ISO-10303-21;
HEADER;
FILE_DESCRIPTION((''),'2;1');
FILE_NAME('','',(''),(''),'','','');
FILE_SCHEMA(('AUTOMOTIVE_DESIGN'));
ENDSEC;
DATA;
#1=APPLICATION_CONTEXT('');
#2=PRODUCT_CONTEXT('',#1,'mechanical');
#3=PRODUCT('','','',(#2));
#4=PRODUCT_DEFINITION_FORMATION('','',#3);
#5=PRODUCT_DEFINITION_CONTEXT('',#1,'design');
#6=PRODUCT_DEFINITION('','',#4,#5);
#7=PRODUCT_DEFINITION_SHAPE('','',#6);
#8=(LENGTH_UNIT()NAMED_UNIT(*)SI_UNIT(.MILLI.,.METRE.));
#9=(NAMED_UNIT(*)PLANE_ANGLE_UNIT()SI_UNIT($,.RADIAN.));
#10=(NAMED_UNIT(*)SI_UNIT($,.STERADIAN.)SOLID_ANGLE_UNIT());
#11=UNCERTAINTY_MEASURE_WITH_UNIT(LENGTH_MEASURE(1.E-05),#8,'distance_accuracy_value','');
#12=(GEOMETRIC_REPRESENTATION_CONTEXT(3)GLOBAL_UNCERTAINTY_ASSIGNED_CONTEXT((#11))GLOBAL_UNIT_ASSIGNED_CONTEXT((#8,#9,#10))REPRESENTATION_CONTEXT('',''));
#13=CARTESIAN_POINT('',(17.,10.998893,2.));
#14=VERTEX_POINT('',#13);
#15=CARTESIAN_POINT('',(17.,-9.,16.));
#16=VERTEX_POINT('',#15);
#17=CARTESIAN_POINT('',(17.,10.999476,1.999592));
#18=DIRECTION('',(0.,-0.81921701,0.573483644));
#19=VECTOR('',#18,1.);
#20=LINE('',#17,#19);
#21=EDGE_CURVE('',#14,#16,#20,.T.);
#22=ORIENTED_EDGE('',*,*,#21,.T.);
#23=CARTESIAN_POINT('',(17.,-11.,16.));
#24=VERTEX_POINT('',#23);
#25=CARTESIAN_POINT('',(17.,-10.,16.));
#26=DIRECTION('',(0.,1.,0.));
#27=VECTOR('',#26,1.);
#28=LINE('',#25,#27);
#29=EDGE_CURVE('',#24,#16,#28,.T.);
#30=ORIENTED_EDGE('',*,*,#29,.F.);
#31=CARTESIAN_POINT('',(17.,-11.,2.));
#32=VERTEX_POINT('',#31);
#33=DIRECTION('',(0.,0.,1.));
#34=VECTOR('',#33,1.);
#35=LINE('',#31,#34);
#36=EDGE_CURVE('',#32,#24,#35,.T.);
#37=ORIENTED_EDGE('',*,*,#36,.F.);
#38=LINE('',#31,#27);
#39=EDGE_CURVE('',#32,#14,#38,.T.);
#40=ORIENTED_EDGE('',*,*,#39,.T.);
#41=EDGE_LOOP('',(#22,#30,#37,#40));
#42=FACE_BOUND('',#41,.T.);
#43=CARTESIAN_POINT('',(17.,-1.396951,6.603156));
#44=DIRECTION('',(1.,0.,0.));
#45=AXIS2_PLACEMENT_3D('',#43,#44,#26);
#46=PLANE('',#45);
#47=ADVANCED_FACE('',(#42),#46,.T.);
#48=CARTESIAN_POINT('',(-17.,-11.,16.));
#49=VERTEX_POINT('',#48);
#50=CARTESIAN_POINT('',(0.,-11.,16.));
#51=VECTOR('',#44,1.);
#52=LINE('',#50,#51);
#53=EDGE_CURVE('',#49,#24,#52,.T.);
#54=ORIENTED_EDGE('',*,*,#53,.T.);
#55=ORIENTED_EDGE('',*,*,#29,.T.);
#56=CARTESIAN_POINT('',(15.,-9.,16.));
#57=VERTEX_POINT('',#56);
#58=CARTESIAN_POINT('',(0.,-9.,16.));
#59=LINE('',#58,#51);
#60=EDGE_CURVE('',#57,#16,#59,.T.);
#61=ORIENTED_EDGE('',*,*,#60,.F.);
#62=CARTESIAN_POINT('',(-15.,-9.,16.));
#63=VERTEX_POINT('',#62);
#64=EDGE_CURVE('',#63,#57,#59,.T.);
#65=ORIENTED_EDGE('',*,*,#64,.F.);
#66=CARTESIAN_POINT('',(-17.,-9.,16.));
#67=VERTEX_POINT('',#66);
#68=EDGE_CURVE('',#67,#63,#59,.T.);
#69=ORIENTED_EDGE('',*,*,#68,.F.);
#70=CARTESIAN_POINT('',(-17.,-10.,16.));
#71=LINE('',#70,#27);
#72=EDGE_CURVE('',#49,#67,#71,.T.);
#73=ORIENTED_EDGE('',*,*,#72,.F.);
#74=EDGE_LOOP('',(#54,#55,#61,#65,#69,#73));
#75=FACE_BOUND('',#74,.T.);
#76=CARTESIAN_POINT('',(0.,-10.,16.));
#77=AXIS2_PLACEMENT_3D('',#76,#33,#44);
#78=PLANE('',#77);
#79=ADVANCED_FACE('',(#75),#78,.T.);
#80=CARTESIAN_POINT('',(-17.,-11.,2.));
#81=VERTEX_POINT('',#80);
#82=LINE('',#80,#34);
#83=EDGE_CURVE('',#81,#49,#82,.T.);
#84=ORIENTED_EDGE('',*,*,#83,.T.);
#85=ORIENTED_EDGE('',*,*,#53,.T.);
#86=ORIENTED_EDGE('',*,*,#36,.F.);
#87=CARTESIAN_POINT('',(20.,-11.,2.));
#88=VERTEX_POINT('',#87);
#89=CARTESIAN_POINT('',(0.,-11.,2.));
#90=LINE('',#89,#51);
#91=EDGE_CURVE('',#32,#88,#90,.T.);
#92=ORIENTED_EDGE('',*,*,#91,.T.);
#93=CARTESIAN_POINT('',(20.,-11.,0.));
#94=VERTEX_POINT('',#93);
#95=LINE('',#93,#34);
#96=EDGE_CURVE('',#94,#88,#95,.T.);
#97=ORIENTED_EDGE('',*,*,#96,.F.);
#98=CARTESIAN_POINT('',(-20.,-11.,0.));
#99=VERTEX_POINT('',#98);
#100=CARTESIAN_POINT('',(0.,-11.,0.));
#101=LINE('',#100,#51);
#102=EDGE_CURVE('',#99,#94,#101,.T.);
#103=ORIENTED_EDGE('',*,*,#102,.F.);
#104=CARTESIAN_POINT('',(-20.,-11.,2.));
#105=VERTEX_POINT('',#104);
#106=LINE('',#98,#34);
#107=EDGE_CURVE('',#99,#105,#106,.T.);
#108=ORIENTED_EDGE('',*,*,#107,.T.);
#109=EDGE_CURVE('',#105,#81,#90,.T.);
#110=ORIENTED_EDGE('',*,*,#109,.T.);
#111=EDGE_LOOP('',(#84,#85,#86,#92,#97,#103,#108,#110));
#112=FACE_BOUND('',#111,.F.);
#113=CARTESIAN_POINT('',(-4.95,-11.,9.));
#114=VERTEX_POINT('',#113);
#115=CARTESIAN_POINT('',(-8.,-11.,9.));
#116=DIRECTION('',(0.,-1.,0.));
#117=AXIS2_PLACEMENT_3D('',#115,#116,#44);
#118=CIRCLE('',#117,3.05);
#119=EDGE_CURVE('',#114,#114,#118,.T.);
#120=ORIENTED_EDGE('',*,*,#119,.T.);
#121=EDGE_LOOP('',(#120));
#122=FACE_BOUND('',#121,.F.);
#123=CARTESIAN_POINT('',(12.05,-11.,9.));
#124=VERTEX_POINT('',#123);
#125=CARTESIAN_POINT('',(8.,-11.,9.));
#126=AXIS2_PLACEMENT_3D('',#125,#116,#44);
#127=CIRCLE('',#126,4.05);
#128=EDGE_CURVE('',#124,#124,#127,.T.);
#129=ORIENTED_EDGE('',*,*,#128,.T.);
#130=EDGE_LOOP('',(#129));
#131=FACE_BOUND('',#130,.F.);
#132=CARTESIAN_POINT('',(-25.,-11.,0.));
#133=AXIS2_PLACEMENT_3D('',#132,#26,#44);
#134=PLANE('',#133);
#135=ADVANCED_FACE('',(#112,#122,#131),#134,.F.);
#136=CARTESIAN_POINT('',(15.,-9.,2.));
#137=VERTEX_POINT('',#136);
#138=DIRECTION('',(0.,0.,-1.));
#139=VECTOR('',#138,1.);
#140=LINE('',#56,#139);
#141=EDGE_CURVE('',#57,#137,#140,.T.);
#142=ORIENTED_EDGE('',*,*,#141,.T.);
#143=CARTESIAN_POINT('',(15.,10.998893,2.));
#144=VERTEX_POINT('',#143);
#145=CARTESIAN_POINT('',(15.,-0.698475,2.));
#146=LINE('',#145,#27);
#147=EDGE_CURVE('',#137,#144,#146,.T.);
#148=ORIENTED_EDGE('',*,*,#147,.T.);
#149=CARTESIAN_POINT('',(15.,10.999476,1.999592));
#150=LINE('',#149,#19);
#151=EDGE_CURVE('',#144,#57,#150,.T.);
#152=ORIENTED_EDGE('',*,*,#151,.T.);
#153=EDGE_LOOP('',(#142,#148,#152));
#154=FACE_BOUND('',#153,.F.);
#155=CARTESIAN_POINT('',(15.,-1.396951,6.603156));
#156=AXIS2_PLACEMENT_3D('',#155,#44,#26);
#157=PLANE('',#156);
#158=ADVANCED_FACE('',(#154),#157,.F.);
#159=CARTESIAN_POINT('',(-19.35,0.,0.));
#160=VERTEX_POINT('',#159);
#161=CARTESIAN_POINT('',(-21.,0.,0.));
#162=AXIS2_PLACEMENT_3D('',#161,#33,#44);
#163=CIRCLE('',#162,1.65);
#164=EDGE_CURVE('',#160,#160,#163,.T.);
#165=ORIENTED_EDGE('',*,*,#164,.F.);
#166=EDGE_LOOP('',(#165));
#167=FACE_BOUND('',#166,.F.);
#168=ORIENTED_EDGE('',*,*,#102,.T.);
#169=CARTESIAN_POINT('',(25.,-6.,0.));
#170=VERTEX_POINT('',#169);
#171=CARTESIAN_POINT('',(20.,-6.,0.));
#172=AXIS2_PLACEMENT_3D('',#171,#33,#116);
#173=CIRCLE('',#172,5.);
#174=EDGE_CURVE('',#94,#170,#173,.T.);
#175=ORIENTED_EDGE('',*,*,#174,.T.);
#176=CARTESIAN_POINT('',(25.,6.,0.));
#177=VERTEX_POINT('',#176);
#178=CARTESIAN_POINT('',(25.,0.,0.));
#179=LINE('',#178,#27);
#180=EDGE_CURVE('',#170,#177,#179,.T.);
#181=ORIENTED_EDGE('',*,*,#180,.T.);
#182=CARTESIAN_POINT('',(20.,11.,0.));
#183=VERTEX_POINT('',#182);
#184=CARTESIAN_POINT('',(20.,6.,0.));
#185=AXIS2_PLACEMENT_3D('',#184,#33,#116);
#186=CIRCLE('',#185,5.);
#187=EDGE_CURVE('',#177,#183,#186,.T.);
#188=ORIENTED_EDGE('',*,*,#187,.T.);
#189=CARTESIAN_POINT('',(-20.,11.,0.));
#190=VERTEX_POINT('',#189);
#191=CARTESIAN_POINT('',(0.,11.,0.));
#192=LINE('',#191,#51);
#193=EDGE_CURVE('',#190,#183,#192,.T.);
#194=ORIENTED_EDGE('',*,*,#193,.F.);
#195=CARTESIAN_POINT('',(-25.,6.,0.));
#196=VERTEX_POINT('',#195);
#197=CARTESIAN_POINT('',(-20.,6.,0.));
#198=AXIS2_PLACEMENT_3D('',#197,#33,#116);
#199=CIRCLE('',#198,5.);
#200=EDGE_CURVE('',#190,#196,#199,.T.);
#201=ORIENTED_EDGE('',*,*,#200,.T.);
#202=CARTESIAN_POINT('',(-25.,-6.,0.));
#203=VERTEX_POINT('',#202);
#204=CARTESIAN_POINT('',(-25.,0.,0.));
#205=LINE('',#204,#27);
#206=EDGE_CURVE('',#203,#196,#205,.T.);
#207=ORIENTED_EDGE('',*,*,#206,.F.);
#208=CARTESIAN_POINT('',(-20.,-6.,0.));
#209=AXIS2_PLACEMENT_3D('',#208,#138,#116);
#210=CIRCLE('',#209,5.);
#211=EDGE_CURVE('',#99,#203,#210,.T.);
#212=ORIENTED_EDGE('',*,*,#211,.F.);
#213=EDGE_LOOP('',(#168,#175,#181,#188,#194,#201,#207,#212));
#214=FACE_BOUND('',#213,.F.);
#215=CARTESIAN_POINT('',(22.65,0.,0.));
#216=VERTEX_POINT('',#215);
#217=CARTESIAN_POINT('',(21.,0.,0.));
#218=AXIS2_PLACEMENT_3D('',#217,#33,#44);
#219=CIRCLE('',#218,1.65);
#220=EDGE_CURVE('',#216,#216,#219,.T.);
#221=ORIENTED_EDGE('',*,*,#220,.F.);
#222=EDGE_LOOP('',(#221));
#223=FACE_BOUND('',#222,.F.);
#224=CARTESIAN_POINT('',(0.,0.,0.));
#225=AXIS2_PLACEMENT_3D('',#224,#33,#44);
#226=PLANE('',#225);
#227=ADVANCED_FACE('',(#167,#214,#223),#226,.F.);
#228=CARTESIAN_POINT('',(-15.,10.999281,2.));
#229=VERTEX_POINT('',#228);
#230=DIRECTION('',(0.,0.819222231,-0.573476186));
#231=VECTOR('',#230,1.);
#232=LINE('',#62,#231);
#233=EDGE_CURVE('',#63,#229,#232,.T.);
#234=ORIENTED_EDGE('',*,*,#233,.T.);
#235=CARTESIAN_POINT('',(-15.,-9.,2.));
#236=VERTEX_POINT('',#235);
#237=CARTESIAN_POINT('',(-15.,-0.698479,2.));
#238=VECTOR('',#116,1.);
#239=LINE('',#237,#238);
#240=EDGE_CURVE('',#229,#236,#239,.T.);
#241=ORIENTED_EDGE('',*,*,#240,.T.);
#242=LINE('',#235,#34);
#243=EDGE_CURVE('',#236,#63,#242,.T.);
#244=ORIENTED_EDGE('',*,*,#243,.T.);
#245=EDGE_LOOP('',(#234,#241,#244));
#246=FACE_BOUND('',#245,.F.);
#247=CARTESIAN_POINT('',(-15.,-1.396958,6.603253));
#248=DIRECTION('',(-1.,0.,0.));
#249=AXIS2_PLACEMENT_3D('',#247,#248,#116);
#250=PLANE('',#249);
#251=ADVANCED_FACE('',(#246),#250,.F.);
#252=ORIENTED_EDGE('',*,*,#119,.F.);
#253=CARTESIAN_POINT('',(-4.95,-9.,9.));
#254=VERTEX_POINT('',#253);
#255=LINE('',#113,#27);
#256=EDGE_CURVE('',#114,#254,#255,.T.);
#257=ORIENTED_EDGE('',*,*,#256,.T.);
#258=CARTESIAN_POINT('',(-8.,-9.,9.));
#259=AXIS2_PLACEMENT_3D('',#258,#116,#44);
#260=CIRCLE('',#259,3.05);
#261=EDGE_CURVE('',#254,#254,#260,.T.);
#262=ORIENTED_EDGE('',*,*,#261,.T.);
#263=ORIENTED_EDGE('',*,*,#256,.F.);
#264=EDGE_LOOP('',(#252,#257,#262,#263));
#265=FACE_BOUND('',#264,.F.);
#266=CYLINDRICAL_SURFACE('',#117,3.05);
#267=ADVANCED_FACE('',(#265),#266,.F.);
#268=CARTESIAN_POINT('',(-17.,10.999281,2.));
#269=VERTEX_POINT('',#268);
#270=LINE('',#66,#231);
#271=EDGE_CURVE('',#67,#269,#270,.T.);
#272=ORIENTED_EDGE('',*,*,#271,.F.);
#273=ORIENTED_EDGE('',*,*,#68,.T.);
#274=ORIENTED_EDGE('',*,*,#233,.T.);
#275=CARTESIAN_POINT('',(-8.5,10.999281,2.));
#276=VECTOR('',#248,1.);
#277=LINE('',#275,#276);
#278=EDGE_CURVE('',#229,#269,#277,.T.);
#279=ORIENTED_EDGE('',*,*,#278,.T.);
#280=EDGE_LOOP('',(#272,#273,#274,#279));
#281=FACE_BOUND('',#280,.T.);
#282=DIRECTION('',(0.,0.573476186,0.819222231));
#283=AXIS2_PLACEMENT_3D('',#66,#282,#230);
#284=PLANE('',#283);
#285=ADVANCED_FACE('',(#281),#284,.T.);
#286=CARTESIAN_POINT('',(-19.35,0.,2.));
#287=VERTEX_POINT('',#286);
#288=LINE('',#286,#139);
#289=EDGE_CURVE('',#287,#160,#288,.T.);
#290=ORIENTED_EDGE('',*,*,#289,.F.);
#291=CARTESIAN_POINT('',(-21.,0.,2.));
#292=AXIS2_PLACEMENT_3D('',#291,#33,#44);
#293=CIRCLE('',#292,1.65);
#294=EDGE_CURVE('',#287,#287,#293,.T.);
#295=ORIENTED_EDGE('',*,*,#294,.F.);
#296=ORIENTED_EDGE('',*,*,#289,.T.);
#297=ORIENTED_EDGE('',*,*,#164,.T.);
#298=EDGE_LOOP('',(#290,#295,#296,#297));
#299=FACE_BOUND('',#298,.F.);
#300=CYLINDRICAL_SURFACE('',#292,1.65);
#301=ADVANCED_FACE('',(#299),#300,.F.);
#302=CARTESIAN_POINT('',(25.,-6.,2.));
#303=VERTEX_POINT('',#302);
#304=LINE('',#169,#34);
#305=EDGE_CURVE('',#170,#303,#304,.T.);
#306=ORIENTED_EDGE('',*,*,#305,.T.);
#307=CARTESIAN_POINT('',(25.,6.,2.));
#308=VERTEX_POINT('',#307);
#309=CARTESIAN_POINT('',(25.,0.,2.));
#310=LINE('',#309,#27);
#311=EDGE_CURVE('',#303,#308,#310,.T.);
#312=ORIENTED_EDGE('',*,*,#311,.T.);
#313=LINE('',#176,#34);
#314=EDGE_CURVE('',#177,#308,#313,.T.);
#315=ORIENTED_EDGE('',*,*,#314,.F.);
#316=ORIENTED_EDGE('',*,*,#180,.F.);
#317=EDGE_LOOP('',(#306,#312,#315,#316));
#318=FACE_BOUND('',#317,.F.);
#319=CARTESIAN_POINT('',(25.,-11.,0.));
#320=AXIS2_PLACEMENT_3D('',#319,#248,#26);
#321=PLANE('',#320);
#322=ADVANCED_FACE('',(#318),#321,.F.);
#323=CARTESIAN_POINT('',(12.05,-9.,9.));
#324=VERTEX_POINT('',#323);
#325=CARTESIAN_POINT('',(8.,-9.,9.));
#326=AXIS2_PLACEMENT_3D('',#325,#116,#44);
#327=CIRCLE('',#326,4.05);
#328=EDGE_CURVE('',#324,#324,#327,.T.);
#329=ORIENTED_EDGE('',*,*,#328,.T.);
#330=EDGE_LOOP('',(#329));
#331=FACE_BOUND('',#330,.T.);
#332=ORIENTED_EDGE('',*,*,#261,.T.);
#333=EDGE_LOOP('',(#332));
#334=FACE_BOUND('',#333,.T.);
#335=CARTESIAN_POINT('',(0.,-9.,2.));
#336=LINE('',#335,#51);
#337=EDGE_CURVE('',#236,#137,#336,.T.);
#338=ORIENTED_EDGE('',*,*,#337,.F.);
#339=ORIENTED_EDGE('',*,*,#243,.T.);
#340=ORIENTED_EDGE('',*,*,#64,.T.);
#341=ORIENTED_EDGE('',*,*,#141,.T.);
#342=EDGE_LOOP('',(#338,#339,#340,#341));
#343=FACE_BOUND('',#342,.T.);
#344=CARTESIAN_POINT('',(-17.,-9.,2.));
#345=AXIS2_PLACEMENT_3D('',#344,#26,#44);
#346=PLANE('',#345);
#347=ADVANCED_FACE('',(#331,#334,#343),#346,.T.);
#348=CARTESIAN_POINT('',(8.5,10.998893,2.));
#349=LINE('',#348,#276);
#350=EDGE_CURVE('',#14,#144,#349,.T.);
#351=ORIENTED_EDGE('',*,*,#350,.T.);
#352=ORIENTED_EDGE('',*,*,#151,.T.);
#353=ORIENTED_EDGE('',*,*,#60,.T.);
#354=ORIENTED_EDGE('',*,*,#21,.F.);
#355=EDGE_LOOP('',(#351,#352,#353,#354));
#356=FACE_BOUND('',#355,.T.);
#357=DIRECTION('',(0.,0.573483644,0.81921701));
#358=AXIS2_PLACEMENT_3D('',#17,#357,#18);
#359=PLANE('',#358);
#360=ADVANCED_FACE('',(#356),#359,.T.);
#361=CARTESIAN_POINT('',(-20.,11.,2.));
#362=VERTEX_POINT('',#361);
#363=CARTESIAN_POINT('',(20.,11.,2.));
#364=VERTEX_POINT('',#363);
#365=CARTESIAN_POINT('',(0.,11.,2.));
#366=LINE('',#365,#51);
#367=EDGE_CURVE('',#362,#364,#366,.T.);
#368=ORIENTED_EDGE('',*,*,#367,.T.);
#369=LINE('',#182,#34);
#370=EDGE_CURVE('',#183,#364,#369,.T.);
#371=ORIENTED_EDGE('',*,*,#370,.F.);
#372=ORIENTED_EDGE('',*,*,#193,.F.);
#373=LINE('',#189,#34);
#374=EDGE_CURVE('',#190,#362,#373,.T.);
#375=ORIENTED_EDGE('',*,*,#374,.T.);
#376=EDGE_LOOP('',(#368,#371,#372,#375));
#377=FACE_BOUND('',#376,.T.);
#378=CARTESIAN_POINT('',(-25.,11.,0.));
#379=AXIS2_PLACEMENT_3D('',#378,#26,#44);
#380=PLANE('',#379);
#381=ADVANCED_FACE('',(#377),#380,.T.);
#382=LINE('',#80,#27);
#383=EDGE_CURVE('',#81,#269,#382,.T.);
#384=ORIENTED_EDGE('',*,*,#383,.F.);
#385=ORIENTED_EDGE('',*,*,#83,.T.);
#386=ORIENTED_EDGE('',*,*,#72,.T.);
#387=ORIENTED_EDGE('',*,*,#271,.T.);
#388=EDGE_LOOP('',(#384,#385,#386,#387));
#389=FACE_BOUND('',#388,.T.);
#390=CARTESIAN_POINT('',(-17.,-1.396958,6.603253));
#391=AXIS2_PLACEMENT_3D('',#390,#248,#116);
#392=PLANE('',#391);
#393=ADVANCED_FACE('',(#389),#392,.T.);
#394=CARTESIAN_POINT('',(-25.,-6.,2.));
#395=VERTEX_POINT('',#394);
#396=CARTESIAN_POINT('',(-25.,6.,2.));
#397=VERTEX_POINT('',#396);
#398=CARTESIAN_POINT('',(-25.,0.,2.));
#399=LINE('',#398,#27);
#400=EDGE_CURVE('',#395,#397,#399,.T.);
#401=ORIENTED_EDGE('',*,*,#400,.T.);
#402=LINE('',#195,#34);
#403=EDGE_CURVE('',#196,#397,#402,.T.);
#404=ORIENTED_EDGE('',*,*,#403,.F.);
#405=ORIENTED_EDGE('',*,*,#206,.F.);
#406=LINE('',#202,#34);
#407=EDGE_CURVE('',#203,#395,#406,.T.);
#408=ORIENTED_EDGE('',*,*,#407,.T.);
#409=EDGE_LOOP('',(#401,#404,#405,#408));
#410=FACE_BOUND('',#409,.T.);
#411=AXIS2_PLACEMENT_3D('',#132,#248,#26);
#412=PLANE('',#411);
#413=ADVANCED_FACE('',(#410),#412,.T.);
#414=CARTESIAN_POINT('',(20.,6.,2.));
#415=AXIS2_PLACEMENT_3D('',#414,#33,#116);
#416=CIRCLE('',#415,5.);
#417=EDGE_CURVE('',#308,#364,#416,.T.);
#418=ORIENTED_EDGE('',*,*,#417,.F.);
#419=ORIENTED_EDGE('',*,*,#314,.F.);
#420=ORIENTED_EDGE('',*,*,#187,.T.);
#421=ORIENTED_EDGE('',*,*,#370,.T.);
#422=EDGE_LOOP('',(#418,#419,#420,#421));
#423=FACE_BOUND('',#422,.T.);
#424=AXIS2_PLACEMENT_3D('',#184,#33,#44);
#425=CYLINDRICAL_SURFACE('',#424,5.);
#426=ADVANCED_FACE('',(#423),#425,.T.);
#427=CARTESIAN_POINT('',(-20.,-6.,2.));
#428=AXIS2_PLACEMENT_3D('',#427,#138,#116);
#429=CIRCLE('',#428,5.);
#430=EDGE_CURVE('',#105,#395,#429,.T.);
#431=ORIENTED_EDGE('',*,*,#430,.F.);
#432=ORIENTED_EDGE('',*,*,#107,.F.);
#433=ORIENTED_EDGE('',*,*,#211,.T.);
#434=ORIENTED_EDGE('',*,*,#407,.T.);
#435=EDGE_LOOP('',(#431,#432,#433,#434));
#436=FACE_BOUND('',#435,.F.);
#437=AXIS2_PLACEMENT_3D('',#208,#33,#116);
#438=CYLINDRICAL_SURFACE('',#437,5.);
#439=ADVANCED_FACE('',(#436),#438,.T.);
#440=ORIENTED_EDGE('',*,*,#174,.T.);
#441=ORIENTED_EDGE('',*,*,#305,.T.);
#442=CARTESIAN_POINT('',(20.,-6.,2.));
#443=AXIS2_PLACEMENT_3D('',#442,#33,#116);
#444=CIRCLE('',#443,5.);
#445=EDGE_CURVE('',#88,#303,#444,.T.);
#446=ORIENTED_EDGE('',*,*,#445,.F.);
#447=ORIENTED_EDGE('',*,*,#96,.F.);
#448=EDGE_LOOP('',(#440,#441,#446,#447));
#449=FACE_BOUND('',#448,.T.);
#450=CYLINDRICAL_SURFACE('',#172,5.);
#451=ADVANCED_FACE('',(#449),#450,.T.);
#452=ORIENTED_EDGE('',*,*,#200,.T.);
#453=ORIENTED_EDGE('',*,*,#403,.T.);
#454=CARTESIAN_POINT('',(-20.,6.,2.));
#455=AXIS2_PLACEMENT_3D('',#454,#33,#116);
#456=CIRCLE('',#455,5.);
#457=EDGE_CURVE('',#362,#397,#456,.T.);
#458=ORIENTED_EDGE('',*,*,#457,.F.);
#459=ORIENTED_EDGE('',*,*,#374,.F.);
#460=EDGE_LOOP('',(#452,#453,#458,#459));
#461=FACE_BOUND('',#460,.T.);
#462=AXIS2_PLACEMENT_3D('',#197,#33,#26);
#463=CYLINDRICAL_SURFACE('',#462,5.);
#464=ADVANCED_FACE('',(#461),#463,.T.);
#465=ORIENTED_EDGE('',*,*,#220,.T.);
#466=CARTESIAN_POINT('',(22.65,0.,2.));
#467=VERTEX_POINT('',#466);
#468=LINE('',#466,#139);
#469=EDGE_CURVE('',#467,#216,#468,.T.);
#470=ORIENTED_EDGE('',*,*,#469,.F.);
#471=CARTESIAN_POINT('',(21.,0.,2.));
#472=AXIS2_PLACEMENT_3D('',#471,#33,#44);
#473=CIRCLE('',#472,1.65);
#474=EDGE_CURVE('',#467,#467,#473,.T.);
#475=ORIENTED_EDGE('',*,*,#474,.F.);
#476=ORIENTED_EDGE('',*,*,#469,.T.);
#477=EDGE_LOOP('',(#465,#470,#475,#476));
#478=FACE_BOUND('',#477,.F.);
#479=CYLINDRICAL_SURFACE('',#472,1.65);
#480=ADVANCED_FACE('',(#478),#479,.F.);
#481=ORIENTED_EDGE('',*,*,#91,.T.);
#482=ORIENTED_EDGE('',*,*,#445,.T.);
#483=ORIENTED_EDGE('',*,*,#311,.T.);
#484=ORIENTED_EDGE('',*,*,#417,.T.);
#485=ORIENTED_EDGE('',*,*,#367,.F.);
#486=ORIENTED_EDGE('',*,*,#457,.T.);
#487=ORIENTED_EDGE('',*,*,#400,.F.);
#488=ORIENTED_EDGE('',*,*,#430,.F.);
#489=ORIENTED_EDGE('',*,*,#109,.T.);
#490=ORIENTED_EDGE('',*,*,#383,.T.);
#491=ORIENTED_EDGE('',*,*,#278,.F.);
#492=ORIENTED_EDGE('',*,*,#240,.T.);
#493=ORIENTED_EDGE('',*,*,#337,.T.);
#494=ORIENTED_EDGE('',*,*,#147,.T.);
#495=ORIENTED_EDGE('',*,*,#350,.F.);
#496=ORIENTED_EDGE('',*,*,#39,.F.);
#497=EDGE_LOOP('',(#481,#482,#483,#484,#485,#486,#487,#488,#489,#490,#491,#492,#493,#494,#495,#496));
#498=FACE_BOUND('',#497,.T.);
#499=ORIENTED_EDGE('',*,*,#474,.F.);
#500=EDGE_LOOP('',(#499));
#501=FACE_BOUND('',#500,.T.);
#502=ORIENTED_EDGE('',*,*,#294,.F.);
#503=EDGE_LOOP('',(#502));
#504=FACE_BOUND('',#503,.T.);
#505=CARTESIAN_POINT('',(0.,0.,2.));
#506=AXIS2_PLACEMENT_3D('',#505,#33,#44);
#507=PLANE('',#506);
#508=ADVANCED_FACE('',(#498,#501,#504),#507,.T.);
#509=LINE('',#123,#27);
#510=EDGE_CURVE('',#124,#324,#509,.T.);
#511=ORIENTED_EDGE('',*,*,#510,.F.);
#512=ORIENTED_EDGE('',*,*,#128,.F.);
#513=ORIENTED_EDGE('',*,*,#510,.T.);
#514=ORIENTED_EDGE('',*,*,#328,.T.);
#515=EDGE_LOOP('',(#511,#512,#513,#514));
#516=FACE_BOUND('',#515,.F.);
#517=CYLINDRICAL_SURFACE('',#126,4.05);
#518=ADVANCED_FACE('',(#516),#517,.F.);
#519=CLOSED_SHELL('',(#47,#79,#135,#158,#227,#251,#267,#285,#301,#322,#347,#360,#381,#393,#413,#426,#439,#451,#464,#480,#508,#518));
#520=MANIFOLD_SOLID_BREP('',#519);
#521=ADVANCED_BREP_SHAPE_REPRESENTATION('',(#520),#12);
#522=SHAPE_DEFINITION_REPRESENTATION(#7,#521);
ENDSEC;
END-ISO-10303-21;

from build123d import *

# Parameters (mm, degrees)
F0_W      = 50
F0_H      = 22
F1_DEPTH  = 2
F2_W      = 34
F2_H      = 2
F3_DEPTH  = 14
F4_R      = 3.05
F4_R_2    = 4.05
F5_DEPTH  = 2
F6_R      = 1.65
F7_DEPTH  = 2
F9_DEPTH  = 2
F11_DEPTH = 2
F12_R     = 5
F13_R     = 5


with BuildPart() as f1:
    # F0 (on Top) → F1 (new body)
    with BuildSketch(Plane.XY):
        Rectangle(F0_W, F0_H)
    extrude(amount=F1_DEPTH)

    # F2 (on face) → F3 (join)
    with BuildSketch(Plane.XY.offset(2)):
        with Locations((0, -10)):
            Rectangle(F2_W, F2_H)
    extrude(amount=F3_DEPTH)

    # F4 (on face) → F5 (cut)
    with BuildSketch(Plane.XZ.offset(11)):
        with Locations((-8, 9)):
            Circle(F4_R)
        with Locations((8, 9)):
            Circle(F4_R_2)
    extrude(amount=-F5_DEPTH, mode=Mode.SUBTRACT)

    # F6 (on face) → F7 (cut)
    with BuildSketch(Plane.XY.offset(2)):
        with Locations((-21, 0)):
            Circle(F6_R)
        with Locations((21, 0)):
            Circle(F6_R)
    extrude(amount=-F7_DEPTH, mode=Mode.SUBTRACT)

    # F8 (on face) → F9 (join)
    with BuildSketch(Plane.YZ.offset(17)):
        Polygon((10.999476, 1.999592), (-9, 16), (-9, 2), align=None)
    extrude(amount=-F9_DEPTH)

    # F10 (on face) → F11 (join)
    with BuildSketch(Plane(origin=(-17, 0, 0), x_dir=(0, -1, 0), z_dir=(-1, 0, 0))):
        Polygon((9, 2), (9, 16), (-10.999475, 1.999864), align=None)
    extrude(amount=-F11_DEPTH)

    # F12
    f12_edges = [f1.edges().sort_by_distance(p)[0] for p in [
        (-25, 11, 1),
        (-25, -11, 1),
    ]]
    fillet(f12_edges, radius=F12_R)

    # F13
    f13_edges = [f1.edges().sort_by_distance(p)[0] for p in [
        (25, -11, 1),
        (25, 11, 1),
    ]]
    fillet(f13_edges, radius=F13_R)


solid = f1.part
